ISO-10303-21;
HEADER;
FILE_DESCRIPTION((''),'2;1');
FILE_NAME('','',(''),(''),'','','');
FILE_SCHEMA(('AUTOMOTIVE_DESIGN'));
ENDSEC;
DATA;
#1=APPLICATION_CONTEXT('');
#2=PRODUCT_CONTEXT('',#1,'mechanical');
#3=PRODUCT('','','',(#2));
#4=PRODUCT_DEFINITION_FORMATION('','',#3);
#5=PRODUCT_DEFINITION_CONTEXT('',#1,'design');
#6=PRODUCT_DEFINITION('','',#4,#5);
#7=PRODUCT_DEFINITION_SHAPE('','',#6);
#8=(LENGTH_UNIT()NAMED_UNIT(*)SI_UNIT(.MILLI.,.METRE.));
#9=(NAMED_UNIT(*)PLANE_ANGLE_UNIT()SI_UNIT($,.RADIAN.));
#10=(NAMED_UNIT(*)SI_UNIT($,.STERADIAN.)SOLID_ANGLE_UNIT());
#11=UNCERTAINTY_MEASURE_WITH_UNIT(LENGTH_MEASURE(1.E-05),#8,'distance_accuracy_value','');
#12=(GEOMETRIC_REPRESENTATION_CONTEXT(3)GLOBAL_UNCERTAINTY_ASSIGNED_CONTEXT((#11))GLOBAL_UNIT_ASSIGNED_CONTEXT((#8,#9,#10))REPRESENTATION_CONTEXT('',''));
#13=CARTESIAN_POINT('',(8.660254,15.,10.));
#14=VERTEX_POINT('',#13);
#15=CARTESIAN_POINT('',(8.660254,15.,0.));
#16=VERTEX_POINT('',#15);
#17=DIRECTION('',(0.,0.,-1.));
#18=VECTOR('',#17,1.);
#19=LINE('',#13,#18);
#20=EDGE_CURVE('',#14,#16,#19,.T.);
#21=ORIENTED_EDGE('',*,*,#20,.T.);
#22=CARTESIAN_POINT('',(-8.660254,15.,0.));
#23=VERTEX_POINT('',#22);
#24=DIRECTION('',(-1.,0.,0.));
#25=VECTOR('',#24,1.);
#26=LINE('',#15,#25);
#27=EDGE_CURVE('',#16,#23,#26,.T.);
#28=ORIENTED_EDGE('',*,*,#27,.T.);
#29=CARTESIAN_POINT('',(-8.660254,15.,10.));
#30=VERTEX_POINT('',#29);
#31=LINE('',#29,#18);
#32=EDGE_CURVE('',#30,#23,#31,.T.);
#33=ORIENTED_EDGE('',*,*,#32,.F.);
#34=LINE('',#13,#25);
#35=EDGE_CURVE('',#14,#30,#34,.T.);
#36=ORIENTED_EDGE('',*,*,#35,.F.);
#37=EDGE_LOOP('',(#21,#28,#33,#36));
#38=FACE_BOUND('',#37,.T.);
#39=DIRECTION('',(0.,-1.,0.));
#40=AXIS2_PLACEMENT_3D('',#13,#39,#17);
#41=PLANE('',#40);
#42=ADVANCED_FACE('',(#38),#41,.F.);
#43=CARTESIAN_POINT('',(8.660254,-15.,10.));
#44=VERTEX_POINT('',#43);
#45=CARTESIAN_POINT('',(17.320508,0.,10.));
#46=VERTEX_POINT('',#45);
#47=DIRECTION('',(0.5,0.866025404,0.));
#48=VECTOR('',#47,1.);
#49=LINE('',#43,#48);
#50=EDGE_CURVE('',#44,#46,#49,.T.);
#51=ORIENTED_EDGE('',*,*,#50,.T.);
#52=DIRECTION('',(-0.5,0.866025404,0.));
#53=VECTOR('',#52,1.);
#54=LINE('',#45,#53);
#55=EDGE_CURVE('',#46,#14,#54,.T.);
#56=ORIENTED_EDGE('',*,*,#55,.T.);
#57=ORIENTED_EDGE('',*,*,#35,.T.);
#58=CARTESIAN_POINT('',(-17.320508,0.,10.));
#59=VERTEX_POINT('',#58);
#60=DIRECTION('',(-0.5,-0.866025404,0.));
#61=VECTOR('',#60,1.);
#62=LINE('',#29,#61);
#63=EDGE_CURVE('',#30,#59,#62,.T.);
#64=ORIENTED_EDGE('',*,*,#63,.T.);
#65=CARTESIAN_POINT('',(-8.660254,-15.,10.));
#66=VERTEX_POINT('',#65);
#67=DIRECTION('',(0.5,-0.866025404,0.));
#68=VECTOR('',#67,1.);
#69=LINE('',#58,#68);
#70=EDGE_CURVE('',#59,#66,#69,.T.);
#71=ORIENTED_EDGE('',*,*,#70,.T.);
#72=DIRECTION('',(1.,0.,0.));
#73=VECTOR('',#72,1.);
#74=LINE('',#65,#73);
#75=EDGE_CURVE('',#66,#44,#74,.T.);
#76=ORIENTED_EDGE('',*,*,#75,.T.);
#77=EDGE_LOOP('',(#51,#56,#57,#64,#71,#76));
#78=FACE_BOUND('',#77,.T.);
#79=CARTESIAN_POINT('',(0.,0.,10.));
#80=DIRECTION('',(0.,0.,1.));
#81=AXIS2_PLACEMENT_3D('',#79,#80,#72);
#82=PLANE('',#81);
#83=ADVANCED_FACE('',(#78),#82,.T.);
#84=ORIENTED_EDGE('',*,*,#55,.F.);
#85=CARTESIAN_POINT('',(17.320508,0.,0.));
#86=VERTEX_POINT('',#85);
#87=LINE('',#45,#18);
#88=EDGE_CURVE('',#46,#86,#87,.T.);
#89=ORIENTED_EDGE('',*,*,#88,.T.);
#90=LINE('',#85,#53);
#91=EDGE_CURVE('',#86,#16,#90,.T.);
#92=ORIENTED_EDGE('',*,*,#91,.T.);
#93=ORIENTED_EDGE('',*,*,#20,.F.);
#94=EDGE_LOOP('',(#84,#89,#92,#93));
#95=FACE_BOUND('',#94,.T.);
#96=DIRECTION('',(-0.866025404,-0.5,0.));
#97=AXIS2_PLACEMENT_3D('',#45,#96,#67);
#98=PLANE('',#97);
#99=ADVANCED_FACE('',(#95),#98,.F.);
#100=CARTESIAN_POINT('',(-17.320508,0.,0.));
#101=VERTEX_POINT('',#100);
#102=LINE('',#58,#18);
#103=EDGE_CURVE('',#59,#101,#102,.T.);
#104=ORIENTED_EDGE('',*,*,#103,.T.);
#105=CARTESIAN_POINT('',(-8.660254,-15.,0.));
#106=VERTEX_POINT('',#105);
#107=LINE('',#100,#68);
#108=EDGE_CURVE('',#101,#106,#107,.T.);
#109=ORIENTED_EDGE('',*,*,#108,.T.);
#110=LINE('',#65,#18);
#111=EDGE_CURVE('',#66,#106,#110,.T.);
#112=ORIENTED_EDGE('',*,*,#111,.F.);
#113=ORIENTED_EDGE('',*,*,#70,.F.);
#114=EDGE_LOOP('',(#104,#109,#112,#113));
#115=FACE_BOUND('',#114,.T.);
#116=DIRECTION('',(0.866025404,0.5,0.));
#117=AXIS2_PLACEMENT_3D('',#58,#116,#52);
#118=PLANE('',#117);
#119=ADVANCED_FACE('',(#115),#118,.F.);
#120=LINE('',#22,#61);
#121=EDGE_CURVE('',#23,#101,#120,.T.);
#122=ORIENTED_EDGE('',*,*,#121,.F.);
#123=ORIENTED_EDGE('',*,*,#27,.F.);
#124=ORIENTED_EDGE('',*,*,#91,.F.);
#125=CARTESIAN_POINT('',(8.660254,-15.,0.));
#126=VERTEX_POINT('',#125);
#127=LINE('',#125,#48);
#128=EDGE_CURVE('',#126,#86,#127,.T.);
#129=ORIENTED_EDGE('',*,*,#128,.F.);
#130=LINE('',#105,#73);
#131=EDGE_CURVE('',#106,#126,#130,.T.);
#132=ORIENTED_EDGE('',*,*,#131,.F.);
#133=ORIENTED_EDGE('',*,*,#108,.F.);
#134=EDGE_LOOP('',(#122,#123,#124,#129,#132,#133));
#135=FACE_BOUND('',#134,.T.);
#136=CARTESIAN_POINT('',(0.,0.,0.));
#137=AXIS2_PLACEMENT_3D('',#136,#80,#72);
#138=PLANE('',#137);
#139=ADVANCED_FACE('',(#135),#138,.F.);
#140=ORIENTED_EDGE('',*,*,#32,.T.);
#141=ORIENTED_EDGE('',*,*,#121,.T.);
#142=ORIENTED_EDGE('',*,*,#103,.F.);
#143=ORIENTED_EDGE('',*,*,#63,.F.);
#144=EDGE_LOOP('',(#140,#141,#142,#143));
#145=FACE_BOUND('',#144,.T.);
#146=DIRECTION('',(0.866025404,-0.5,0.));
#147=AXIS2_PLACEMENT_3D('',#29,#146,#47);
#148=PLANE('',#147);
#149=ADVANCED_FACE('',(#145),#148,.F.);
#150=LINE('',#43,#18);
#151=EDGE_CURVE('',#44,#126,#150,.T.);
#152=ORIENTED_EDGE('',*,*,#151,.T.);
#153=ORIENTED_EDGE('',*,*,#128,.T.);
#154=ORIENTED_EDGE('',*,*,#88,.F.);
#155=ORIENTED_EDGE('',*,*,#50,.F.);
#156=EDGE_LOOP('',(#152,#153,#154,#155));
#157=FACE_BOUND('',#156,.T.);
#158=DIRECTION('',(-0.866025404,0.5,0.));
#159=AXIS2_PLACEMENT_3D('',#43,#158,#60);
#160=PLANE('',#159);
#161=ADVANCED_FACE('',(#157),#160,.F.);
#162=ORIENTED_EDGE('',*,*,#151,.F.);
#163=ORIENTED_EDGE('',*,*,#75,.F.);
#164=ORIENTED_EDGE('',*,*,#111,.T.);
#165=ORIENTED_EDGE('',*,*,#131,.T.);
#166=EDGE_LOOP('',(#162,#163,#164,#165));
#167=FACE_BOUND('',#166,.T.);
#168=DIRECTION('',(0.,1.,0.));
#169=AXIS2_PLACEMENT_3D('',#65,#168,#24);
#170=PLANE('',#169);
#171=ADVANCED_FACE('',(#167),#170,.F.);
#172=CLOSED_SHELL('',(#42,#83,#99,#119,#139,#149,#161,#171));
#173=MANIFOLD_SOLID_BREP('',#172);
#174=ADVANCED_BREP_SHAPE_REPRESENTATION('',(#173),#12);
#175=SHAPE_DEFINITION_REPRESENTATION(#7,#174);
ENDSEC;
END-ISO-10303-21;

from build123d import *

# Parameters (mm, degrees)
BOSS_EXTRUDE1_DEPTH = 10


with BuildPart() as part:
    # Sketch1 → Boss-Extrude1 (new body)
    with BuildSketch(Plane.XY):
        Polygon((8.660254038, 15), (-8.660254038, 15), (-17.320508076, 0), (-8.660254038, -15), (8.660254038, -15), (17.320508076, 0), align=None)
    extrude(amount=BOSS_EXTRUDE1_DEPTH)


solid = part.part
